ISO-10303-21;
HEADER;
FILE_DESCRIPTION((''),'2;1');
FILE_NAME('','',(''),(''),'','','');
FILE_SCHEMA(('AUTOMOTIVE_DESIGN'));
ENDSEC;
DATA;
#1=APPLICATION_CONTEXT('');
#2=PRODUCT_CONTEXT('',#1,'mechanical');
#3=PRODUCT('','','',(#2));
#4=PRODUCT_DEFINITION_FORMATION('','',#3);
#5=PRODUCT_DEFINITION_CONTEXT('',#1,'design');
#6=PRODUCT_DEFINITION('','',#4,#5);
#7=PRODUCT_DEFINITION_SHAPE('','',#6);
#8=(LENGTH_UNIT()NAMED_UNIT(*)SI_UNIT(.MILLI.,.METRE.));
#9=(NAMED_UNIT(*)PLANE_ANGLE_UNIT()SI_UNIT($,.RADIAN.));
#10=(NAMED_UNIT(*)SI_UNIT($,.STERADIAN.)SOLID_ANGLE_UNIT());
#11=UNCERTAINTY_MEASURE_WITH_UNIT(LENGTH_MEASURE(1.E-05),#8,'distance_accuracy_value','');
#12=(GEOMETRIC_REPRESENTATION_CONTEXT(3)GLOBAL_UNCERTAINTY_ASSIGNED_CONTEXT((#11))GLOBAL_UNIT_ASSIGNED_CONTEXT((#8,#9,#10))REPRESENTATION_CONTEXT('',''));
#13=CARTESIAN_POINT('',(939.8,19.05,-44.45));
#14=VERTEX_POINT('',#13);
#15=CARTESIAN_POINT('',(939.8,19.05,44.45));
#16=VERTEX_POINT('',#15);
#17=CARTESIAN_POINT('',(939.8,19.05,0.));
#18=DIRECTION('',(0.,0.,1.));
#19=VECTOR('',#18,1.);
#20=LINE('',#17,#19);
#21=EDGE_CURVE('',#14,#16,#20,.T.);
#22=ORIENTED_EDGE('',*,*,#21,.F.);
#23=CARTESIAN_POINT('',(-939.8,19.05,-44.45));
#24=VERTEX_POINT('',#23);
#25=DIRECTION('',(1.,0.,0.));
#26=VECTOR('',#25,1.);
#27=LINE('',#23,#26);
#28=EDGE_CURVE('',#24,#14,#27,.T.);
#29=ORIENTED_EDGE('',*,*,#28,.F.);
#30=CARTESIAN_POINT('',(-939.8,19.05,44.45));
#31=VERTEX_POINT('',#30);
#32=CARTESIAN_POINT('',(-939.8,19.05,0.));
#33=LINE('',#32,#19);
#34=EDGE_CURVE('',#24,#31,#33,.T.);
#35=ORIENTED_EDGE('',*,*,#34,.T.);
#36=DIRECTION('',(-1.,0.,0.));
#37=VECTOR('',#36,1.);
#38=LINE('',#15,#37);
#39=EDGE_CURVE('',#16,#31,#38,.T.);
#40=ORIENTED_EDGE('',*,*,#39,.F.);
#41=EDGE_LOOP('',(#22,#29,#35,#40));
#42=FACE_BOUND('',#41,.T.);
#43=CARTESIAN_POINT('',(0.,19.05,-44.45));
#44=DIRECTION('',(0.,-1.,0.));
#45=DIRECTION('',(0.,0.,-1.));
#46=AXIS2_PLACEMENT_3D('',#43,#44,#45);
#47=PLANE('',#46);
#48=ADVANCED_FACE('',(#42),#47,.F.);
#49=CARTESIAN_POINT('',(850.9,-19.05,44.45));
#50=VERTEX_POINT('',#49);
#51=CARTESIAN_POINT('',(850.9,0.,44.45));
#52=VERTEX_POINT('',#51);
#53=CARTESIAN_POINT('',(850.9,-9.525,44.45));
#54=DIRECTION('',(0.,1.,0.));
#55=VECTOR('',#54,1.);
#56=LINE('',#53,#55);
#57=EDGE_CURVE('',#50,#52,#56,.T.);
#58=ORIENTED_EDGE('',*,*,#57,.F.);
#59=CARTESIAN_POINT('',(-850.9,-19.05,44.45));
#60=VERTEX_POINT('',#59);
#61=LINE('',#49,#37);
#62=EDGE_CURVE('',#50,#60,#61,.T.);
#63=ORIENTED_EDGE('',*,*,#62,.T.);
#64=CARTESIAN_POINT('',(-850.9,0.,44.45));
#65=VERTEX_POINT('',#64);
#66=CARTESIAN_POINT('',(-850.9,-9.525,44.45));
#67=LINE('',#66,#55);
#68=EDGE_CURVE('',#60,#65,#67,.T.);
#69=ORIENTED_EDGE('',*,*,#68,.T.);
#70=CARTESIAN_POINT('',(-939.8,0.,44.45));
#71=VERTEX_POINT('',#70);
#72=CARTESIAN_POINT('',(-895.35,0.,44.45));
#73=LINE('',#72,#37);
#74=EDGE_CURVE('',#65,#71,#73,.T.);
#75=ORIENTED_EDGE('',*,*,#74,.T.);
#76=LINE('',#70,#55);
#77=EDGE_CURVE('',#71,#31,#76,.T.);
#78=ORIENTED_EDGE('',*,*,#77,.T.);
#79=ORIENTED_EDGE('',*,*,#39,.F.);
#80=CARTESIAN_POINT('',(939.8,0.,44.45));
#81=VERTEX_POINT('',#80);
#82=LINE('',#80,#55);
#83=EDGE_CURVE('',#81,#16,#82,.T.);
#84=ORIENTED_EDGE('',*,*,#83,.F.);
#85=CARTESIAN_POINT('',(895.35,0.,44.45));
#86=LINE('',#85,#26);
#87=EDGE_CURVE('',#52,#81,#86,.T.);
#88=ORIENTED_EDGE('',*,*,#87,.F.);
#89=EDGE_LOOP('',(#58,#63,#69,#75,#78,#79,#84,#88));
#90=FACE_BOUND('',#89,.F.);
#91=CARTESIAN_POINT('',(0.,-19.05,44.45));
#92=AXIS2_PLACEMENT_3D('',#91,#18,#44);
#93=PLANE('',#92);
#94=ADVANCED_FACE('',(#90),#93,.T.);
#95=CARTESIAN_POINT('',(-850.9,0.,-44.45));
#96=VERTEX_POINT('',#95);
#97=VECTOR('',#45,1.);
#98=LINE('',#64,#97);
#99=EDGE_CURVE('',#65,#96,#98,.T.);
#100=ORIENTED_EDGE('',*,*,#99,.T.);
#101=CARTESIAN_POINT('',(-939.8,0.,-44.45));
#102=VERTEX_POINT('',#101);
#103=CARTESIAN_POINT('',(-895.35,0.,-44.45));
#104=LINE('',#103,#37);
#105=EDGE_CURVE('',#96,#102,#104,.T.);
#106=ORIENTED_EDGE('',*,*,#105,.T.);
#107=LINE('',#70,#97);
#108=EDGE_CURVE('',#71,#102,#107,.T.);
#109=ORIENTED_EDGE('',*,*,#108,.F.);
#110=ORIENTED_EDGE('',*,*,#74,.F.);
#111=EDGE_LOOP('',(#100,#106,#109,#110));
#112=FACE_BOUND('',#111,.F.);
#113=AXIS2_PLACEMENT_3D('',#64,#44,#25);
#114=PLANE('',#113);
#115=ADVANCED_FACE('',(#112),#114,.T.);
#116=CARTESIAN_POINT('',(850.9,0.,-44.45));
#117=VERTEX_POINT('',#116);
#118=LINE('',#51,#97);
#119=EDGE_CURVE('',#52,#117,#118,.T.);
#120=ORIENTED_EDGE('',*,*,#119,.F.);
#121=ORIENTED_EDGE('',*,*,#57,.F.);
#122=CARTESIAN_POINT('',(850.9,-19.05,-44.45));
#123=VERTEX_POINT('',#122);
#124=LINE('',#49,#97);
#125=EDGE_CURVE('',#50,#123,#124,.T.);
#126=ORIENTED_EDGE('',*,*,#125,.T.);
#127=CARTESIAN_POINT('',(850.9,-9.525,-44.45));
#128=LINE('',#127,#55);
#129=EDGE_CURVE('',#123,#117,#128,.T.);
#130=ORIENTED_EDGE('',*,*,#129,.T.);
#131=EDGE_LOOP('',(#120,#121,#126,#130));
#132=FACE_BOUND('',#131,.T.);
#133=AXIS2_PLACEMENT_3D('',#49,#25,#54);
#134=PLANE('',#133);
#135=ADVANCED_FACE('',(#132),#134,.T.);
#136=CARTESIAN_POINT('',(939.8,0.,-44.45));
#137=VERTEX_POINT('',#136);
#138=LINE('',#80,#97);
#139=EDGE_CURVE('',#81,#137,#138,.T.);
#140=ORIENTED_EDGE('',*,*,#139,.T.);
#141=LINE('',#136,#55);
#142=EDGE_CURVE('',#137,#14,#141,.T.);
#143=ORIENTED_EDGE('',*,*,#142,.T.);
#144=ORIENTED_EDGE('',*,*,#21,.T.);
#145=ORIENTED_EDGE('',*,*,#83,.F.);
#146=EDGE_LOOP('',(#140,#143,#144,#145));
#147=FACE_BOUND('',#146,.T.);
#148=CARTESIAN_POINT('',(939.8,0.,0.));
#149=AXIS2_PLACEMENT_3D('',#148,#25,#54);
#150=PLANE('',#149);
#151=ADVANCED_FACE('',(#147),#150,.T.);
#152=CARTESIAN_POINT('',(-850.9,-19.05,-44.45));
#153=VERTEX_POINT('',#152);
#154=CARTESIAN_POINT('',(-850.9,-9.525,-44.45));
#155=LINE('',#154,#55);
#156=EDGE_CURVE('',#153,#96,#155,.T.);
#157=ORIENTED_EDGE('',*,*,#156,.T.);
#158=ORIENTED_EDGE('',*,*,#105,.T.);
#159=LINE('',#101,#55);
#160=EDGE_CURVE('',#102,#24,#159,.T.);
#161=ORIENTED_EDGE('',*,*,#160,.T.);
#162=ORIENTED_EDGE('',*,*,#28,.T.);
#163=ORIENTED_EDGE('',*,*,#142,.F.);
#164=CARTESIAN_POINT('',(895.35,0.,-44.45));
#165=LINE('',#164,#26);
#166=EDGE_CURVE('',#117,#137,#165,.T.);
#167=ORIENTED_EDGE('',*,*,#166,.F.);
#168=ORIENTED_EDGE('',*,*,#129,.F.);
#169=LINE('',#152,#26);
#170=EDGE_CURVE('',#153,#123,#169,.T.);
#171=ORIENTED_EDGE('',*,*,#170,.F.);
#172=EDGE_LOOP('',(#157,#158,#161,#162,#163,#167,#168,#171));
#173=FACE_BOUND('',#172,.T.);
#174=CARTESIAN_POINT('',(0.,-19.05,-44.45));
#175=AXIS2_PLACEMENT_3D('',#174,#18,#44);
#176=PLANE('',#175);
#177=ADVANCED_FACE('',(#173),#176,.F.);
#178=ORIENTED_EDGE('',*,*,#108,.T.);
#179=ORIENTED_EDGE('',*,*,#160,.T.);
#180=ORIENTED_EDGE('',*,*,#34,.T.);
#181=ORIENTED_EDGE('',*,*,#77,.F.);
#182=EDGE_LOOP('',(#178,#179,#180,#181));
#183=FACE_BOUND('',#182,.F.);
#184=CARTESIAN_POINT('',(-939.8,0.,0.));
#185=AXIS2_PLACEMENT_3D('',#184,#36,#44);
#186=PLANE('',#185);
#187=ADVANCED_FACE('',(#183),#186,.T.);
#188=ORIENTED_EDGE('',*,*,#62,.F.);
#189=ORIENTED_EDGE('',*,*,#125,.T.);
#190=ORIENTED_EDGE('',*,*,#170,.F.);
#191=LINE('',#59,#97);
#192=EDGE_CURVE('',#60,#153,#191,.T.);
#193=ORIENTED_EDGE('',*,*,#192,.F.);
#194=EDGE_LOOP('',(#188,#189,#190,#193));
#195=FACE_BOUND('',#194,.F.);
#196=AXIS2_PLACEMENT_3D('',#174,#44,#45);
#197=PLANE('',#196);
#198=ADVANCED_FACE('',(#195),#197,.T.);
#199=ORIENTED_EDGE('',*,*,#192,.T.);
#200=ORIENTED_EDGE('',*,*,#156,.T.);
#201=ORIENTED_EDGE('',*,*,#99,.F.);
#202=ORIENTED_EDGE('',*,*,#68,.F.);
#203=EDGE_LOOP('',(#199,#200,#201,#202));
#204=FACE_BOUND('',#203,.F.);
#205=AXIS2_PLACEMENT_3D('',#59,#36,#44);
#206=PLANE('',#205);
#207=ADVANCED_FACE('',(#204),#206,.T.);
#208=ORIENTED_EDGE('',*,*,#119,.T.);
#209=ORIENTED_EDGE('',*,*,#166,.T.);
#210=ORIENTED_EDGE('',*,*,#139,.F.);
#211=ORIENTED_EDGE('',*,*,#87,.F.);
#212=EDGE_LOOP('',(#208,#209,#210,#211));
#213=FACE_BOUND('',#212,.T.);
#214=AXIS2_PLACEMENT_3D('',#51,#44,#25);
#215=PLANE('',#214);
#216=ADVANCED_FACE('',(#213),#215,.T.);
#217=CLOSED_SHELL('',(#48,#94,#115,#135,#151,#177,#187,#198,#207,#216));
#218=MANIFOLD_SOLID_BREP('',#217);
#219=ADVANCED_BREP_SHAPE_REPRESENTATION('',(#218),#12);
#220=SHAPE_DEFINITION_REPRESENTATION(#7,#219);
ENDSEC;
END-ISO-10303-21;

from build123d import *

# Parameters (mm, degrees)
F0_W     = 38.1
F0_H     = 88.9
F1_DEPTH = 939.8
F2_W     = 88.9
F2_H     = 19.05
F3_DEPTH = 88.9


with BuildPart() as f1:
    # F0 (on Right) → F1 (new body)
    with BuildSketch(Plane.YZ):
        Rectangle(F0_W, F0_H)
    extrude(amount=F1_DEPTH)

    # F2 (on face) → F3 (cut, through all)
    with BuildSketch(Plane.XY.offset(44.45)):
        with Locations((895.35, -9.525)):
            Rectangle(F2_W, F2_H)
    extrude(amount=-F3_DEPTH, mode=Mode.SUBTRACT)

    # F4: F1 across plane


with BuildPart() as f1_1:
    add(f1.part)
    add(f1.part.mirror(Plane.YZ))


solid = f1_1.part
